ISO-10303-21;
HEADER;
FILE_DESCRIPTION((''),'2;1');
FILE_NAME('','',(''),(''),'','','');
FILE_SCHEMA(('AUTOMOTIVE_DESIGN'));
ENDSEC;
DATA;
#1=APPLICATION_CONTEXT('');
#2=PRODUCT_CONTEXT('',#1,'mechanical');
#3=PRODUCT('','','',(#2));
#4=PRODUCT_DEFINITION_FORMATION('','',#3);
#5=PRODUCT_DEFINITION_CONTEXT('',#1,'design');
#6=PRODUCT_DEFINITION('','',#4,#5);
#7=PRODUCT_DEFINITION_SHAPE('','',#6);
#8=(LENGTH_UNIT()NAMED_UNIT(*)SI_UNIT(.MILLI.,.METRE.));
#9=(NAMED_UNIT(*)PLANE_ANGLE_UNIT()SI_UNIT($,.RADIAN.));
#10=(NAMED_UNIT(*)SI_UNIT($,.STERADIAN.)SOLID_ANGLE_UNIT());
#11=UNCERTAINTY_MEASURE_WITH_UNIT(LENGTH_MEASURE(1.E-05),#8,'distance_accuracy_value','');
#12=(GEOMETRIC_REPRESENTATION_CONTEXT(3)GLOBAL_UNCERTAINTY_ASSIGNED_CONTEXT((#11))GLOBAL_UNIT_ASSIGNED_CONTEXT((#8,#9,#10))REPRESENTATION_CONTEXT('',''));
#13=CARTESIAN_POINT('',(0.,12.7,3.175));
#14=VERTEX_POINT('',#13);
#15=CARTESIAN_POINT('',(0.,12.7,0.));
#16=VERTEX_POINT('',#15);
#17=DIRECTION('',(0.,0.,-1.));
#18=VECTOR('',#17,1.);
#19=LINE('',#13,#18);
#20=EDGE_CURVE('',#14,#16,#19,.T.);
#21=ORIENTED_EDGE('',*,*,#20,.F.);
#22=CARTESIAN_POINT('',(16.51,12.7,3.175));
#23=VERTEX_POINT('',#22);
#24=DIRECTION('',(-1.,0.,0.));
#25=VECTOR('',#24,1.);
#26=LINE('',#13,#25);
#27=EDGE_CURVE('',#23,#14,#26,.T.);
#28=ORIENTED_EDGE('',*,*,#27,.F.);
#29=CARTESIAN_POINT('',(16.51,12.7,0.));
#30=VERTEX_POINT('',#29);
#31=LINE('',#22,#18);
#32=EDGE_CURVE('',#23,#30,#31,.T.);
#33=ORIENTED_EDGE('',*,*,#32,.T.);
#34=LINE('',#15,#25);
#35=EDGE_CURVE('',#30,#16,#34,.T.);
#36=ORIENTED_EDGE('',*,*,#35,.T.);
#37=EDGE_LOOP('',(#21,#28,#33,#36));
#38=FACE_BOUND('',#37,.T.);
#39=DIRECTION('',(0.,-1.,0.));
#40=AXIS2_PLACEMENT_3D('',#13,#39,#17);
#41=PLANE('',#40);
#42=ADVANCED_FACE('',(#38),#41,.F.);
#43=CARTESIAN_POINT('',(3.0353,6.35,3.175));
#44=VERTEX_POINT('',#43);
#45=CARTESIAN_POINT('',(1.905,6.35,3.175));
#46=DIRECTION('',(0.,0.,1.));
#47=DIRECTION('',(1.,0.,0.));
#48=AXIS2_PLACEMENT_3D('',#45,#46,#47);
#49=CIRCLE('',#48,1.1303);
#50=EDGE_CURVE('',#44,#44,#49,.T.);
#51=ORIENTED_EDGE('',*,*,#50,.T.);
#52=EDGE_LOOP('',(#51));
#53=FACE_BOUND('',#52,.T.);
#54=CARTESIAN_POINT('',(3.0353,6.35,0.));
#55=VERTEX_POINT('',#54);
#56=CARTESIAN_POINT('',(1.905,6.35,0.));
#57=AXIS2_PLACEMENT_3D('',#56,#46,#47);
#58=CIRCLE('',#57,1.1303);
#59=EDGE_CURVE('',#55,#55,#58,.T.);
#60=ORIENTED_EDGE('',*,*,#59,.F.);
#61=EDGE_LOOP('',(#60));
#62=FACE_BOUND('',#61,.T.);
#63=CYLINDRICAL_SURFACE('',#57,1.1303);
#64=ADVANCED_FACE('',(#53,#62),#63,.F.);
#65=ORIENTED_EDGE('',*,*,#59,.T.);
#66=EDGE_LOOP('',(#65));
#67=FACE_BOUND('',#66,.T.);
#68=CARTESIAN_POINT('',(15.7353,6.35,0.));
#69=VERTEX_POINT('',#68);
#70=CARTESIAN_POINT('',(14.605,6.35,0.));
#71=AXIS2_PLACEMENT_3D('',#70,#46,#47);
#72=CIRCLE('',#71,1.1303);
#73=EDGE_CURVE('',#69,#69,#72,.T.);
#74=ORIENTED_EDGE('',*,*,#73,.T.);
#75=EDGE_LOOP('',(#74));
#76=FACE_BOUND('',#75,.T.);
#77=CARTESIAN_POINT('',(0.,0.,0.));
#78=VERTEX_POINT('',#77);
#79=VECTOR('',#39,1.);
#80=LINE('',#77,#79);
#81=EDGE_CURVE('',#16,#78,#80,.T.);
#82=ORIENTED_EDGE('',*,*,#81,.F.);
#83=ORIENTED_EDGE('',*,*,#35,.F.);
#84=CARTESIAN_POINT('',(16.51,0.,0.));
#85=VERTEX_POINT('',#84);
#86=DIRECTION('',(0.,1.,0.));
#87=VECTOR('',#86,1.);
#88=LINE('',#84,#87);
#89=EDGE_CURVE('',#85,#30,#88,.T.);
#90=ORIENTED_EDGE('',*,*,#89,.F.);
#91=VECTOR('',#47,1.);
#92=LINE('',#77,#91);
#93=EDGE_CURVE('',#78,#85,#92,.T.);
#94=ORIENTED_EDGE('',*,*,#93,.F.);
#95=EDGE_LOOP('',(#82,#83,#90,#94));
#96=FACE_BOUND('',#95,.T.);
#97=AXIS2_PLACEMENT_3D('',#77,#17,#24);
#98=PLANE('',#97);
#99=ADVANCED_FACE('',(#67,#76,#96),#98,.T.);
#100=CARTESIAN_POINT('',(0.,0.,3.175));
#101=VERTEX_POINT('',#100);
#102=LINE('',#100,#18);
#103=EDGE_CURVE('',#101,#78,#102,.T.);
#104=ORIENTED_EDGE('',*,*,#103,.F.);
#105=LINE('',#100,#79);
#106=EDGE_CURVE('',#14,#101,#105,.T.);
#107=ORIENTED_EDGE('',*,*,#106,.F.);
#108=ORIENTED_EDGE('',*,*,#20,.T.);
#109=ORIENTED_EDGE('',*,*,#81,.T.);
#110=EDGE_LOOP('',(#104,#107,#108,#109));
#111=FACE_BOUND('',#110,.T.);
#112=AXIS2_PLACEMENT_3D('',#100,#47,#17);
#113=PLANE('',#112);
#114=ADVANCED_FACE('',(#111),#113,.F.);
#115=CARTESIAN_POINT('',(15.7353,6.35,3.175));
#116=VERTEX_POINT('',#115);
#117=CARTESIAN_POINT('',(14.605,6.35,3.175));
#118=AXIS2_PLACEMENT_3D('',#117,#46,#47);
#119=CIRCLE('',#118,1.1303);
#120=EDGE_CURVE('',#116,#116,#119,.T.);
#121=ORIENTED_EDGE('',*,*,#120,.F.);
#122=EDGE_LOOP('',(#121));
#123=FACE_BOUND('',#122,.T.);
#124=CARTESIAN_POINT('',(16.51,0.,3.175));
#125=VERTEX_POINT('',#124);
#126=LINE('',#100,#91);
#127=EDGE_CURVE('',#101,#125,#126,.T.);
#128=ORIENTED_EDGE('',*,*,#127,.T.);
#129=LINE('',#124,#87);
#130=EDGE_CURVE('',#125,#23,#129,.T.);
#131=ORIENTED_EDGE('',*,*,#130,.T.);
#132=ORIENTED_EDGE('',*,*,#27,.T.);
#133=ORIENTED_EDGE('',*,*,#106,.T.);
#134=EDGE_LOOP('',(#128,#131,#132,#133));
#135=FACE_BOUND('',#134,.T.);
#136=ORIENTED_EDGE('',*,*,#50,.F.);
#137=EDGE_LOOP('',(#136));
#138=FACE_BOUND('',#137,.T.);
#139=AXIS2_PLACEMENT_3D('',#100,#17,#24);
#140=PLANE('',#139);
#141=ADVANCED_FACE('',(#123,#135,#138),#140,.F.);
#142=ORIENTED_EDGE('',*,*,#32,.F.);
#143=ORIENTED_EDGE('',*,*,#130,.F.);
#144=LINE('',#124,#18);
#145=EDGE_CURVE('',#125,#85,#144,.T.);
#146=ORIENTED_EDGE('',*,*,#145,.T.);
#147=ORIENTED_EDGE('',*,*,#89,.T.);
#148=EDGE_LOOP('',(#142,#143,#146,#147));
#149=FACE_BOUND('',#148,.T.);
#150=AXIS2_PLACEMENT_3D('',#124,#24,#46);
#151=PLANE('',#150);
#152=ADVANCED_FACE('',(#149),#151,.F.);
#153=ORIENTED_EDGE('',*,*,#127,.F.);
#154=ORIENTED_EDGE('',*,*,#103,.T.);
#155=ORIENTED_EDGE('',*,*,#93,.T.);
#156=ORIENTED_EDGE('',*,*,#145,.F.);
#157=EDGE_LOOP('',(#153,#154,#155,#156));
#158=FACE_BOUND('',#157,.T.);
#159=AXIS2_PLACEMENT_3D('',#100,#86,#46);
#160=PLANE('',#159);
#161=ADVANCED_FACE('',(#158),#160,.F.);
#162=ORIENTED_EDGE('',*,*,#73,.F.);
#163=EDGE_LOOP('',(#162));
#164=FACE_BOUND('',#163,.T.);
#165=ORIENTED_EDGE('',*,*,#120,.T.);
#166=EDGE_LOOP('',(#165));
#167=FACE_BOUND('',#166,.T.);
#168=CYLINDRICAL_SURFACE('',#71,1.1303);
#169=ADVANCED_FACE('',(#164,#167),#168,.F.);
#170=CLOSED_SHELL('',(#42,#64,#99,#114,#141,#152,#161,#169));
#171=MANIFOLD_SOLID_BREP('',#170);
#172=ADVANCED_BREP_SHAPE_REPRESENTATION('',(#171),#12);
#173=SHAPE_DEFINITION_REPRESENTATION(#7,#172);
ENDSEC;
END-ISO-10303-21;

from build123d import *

# Parameters (mm, degrees)
SKETCH2_W           = 16.51
SKETCH2_H           = 12.7
BOSS_EXTRUDE1_DEPTH = 3.175
SKETCH3_R           = 1.1303
CUT_EXTRUDE1_DEPTH  = 4.175


with BuildPart() as part:
    # Sketch2 → Boss-Extrude1 (new body)
    with BuildSketch(Plane.XY):
        with Locations((8.255, 6.35)):
            Rectangle(SKETCH2_W, SKETCH2_H)
    extrude(amount=BOSS_EXTRUDE1_DEPTH)

    # Sketch3 → Cut-Extrude1 (cut, through all)
    with BuildSketch(Plane.XY.offset(3.175)):
        with Locations((1.905, 6.35)):
            Circle(SKETCH3_R)
        with Locations((14.605, 6.35)):
            Circle(SKETCH3_R)
    extrude(amount=-CUT_EXTRUDE1_DEPTH, mode=Mode.SUBTRACT)


solid = part.part
